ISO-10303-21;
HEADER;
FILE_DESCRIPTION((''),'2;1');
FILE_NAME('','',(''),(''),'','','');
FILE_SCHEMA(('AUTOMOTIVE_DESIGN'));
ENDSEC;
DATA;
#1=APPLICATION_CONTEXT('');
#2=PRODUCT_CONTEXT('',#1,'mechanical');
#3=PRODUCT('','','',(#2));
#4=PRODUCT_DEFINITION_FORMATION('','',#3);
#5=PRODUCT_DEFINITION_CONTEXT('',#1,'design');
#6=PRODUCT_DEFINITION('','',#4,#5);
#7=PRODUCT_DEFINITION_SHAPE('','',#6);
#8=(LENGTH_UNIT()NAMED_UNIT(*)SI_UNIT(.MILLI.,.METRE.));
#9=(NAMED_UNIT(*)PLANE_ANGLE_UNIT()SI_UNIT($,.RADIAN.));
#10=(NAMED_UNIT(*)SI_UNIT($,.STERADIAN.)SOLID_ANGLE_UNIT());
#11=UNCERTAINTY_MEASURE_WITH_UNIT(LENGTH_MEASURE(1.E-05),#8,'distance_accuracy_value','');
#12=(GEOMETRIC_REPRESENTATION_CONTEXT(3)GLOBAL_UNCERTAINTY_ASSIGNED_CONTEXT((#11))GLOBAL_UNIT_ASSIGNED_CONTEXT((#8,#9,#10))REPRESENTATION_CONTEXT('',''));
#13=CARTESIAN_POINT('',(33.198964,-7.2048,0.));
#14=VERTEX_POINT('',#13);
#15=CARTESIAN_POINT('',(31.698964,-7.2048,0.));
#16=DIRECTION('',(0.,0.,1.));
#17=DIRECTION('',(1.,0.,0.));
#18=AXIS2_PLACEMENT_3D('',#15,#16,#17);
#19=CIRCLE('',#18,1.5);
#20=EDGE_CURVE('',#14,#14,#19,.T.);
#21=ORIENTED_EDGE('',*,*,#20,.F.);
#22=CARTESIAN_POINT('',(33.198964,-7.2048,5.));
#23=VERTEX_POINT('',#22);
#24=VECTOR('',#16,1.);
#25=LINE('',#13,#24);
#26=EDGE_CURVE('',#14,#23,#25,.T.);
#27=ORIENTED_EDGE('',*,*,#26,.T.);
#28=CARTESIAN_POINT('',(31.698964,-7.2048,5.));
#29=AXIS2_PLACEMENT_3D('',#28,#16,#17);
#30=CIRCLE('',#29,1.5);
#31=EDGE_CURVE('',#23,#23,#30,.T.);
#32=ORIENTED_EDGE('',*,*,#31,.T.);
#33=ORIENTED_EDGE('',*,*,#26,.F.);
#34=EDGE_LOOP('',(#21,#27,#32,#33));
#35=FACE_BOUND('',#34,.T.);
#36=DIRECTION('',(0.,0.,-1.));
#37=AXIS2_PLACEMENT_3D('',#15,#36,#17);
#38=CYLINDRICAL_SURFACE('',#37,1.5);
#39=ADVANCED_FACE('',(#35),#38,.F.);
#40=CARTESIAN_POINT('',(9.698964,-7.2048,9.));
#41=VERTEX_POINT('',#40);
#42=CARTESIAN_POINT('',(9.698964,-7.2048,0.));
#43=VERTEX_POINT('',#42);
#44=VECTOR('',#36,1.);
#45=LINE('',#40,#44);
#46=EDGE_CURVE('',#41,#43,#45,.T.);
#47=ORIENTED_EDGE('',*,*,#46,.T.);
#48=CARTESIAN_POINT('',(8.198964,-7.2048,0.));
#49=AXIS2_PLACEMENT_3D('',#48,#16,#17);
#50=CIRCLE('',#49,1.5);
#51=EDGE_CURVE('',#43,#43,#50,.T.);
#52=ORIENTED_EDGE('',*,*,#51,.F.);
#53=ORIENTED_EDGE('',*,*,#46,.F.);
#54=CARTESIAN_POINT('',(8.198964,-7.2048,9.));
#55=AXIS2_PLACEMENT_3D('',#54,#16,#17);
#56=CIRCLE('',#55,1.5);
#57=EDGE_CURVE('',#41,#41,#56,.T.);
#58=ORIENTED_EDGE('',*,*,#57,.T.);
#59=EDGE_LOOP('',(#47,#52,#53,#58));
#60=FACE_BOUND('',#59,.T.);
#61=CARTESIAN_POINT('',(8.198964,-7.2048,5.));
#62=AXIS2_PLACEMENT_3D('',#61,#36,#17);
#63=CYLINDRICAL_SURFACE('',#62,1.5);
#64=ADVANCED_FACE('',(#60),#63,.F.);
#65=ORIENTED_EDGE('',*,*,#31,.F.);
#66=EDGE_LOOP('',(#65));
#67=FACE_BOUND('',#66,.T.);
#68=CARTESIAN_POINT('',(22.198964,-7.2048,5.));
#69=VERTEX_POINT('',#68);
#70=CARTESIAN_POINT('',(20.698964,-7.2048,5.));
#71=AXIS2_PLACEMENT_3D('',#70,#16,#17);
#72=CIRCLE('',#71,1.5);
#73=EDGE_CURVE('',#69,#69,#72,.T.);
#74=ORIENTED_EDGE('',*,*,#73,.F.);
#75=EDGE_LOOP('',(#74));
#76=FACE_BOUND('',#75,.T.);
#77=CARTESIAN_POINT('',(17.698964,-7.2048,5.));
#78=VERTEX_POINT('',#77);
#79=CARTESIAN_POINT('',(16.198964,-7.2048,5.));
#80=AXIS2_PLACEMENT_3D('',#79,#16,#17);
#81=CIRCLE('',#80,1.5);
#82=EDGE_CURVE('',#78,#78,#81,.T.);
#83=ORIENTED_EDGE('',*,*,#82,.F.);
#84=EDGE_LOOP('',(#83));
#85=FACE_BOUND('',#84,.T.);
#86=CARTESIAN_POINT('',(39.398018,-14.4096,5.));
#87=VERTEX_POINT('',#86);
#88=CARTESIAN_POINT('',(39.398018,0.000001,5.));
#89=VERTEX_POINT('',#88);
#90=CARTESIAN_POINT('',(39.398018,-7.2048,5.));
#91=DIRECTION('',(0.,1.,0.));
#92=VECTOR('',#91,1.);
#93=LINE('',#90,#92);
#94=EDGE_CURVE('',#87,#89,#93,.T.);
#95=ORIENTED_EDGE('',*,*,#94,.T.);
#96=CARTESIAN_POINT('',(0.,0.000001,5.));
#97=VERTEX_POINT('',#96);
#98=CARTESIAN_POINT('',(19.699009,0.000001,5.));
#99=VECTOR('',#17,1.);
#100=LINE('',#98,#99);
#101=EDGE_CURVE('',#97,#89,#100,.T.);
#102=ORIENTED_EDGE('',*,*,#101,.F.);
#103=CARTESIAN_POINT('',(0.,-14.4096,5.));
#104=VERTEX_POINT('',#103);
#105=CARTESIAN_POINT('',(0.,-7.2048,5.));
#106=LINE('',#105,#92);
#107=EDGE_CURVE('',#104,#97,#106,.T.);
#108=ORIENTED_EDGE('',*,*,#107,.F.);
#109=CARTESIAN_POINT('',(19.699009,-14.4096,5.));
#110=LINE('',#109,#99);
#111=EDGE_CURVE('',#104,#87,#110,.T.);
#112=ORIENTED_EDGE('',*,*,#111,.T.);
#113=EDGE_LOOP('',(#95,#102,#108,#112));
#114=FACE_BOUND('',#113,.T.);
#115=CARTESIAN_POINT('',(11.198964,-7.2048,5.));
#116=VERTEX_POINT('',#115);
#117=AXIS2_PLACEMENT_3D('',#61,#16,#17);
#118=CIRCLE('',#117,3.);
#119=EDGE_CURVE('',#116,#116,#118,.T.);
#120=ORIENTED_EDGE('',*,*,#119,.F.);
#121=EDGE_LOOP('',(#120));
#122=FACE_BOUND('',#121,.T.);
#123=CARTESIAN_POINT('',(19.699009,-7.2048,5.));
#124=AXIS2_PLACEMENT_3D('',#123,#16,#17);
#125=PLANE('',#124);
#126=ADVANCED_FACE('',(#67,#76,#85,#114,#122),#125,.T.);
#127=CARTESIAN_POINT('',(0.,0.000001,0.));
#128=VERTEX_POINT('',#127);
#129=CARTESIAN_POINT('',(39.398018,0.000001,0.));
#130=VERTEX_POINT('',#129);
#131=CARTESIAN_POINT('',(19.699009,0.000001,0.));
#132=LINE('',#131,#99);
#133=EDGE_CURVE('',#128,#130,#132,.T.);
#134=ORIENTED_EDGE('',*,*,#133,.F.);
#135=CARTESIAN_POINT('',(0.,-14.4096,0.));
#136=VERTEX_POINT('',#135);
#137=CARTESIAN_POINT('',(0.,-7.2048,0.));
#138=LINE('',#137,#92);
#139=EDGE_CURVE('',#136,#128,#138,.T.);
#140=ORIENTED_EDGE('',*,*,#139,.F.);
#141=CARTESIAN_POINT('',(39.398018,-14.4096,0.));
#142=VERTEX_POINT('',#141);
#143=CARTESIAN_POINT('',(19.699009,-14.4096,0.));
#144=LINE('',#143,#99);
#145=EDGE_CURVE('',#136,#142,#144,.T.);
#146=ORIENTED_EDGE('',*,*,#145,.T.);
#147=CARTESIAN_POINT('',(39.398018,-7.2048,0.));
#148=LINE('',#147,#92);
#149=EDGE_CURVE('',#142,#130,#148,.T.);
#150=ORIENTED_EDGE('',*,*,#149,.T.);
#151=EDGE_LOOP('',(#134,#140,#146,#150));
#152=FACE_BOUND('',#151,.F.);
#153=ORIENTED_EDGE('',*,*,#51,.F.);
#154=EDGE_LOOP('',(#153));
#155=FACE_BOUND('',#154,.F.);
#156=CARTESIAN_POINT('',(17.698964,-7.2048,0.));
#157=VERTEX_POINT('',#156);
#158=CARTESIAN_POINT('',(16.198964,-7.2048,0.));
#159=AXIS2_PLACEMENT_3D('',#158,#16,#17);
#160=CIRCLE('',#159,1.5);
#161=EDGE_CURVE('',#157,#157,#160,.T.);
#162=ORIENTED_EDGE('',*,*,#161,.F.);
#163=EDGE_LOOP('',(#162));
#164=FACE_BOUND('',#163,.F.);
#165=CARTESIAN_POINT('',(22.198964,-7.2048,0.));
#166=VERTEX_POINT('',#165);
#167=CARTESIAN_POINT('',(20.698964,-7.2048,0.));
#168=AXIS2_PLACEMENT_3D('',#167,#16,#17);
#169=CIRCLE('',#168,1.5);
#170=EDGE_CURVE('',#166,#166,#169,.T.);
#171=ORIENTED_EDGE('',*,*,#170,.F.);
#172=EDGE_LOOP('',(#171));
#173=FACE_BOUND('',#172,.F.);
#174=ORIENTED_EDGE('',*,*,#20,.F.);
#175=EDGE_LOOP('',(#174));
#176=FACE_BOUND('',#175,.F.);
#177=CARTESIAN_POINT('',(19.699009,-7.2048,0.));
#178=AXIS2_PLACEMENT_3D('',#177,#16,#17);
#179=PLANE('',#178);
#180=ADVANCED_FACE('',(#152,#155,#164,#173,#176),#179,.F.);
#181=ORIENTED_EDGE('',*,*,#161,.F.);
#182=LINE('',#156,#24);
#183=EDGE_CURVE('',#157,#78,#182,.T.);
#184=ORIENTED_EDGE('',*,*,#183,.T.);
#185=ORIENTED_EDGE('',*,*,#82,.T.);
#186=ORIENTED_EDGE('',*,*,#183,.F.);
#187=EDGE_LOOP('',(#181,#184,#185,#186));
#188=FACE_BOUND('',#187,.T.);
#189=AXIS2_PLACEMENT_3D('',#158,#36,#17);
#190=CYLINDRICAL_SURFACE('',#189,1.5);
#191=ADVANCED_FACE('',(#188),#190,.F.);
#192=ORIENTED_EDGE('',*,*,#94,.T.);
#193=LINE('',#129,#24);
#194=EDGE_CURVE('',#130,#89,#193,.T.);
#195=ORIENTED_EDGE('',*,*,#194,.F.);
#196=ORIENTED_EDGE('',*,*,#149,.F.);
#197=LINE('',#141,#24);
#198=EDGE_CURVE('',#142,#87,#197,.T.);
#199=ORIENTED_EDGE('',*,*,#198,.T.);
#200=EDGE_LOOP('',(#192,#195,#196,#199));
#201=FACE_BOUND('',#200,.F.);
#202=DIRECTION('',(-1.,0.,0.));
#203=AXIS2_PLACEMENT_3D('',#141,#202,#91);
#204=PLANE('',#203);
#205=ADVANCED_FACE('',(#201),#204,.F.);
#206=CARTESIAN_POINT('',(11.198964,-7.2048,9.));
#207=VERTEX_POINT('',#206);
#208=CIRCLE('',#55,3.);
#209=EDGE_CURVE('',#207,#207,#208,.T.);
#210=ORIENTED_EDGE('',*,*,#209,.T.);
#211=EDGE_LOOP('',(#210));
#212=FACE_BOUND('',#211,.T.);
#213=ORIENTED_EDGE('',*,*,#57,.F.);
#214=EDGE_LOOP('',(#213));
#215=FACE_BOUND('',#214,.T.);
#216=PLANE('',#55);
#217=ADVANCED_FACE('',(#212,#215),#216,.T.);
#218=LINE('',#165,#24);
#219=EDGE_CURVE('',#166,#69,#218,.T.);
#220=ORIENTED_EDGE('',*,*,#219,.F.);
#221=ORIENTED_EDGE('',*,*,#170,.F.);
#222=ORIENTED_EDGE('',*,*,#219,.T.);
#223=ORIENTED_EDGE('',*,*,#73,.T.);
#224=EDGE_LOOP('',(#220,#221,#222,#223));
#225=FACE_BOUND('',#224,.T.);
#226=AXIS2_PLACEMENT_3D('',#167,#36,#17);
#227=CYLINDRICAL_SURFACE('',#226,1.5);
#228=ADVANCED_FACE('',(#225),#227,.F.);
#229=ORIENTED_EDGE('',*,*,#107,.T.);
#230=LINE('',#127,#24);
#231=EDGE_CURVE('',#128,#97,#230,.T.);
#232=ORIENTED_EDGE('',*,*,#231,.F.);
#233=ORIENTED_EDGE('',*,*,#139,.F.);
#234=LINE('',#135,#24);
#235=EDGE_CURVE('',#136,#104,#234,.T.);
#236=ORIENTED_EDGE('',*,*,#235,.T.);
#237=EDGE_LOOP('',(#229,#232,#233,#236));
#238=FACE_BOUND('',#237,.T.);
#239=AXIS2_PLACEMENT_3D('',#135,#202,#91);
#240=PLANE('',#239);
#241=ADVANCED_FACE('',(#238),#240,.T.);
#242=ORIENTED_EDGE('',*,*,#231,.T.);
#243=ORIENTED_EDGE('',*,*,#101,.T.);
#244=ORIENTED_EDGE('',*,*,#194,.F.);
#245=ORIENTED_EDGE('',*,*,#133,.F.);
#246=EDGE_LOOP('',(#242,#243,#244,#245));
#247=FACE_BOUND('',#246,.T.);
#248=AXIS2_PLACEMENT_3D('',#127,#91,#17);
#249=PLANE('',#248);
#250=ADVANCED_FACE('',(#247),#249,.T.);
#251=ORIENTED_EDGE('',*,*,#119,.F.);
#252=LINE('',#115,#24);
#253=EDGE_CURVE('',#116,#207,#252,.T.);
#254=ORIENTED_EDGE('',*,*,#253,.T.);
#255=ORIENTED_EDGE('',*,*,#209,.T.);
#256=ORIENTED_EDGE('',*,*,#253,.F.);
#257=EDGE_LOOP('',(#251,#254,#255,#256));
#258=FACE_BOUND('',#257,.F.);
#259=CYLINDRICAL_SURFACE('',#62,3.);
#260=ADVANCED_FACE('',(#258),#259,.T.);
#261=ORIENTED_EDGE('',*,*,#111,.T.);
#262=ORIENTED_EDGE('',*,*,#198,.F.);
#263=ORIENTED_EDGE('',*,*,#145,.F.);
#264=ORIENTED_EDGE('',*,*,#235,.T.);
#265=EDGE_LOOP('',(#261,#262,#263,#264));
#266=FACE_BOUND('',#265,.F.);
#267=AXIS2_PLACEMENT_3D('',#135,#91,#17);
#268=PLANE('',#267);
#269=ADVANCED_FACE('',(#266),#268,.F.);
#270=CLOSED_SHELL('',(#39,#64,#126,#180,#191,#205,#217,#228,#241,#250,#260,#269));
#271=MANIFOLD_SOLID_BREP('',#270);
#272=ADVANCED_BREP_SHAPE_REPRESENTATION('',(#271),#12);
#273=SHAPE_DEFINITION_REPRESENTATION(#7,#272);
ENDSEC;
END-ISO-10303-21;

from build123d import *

# Parameters (mm, degrees)
F0_W     = 39.398018
F0_H     = 14.409601
F0_R     = 1.5
F1_DEPTH = 5
F2_R     = 3
F2_R_2   = 1.5
F3_DEPTH = 4


with BuildPart() as f1:
    # F0 (on Top) → F1 (new body)
    with BuildSketch(Plane.XY):
        with Locations((19.699009, -7.2048)):
            Rectangle(F0_W, F0_H)
        with Locations((8.198964, -7.2048)):
            Circle(F0_R, mode=Mode.SUBTRACT)
        with Locations((16.198964, -7.2048)):
            Circle(F0_R, mode=Mode.SUBTRACT)
        with Locations((20.698964, -7.2048)):
            Circle(F0_R, mode=Mode.SUBTRACT)
        with Locations((31.698964, -7.2048)):
            Circle(F0_R, mode=Mode.SUBTRACT)
    extrude(amount=F1_DEPTH)

    # F2 (on face) → F3 (join)
    with BuildSketch(Plane.XY.offset(5)):
        with Locations((8.198964, -7.2048)):
            Circle(F2_R)
        with Locations((8.198964, -7.2048)):
            Circle(F2_R_2, mode=Mode.SUBTRACT)
    extrude(amount=F3_DEPTH)


solid = f1.part
